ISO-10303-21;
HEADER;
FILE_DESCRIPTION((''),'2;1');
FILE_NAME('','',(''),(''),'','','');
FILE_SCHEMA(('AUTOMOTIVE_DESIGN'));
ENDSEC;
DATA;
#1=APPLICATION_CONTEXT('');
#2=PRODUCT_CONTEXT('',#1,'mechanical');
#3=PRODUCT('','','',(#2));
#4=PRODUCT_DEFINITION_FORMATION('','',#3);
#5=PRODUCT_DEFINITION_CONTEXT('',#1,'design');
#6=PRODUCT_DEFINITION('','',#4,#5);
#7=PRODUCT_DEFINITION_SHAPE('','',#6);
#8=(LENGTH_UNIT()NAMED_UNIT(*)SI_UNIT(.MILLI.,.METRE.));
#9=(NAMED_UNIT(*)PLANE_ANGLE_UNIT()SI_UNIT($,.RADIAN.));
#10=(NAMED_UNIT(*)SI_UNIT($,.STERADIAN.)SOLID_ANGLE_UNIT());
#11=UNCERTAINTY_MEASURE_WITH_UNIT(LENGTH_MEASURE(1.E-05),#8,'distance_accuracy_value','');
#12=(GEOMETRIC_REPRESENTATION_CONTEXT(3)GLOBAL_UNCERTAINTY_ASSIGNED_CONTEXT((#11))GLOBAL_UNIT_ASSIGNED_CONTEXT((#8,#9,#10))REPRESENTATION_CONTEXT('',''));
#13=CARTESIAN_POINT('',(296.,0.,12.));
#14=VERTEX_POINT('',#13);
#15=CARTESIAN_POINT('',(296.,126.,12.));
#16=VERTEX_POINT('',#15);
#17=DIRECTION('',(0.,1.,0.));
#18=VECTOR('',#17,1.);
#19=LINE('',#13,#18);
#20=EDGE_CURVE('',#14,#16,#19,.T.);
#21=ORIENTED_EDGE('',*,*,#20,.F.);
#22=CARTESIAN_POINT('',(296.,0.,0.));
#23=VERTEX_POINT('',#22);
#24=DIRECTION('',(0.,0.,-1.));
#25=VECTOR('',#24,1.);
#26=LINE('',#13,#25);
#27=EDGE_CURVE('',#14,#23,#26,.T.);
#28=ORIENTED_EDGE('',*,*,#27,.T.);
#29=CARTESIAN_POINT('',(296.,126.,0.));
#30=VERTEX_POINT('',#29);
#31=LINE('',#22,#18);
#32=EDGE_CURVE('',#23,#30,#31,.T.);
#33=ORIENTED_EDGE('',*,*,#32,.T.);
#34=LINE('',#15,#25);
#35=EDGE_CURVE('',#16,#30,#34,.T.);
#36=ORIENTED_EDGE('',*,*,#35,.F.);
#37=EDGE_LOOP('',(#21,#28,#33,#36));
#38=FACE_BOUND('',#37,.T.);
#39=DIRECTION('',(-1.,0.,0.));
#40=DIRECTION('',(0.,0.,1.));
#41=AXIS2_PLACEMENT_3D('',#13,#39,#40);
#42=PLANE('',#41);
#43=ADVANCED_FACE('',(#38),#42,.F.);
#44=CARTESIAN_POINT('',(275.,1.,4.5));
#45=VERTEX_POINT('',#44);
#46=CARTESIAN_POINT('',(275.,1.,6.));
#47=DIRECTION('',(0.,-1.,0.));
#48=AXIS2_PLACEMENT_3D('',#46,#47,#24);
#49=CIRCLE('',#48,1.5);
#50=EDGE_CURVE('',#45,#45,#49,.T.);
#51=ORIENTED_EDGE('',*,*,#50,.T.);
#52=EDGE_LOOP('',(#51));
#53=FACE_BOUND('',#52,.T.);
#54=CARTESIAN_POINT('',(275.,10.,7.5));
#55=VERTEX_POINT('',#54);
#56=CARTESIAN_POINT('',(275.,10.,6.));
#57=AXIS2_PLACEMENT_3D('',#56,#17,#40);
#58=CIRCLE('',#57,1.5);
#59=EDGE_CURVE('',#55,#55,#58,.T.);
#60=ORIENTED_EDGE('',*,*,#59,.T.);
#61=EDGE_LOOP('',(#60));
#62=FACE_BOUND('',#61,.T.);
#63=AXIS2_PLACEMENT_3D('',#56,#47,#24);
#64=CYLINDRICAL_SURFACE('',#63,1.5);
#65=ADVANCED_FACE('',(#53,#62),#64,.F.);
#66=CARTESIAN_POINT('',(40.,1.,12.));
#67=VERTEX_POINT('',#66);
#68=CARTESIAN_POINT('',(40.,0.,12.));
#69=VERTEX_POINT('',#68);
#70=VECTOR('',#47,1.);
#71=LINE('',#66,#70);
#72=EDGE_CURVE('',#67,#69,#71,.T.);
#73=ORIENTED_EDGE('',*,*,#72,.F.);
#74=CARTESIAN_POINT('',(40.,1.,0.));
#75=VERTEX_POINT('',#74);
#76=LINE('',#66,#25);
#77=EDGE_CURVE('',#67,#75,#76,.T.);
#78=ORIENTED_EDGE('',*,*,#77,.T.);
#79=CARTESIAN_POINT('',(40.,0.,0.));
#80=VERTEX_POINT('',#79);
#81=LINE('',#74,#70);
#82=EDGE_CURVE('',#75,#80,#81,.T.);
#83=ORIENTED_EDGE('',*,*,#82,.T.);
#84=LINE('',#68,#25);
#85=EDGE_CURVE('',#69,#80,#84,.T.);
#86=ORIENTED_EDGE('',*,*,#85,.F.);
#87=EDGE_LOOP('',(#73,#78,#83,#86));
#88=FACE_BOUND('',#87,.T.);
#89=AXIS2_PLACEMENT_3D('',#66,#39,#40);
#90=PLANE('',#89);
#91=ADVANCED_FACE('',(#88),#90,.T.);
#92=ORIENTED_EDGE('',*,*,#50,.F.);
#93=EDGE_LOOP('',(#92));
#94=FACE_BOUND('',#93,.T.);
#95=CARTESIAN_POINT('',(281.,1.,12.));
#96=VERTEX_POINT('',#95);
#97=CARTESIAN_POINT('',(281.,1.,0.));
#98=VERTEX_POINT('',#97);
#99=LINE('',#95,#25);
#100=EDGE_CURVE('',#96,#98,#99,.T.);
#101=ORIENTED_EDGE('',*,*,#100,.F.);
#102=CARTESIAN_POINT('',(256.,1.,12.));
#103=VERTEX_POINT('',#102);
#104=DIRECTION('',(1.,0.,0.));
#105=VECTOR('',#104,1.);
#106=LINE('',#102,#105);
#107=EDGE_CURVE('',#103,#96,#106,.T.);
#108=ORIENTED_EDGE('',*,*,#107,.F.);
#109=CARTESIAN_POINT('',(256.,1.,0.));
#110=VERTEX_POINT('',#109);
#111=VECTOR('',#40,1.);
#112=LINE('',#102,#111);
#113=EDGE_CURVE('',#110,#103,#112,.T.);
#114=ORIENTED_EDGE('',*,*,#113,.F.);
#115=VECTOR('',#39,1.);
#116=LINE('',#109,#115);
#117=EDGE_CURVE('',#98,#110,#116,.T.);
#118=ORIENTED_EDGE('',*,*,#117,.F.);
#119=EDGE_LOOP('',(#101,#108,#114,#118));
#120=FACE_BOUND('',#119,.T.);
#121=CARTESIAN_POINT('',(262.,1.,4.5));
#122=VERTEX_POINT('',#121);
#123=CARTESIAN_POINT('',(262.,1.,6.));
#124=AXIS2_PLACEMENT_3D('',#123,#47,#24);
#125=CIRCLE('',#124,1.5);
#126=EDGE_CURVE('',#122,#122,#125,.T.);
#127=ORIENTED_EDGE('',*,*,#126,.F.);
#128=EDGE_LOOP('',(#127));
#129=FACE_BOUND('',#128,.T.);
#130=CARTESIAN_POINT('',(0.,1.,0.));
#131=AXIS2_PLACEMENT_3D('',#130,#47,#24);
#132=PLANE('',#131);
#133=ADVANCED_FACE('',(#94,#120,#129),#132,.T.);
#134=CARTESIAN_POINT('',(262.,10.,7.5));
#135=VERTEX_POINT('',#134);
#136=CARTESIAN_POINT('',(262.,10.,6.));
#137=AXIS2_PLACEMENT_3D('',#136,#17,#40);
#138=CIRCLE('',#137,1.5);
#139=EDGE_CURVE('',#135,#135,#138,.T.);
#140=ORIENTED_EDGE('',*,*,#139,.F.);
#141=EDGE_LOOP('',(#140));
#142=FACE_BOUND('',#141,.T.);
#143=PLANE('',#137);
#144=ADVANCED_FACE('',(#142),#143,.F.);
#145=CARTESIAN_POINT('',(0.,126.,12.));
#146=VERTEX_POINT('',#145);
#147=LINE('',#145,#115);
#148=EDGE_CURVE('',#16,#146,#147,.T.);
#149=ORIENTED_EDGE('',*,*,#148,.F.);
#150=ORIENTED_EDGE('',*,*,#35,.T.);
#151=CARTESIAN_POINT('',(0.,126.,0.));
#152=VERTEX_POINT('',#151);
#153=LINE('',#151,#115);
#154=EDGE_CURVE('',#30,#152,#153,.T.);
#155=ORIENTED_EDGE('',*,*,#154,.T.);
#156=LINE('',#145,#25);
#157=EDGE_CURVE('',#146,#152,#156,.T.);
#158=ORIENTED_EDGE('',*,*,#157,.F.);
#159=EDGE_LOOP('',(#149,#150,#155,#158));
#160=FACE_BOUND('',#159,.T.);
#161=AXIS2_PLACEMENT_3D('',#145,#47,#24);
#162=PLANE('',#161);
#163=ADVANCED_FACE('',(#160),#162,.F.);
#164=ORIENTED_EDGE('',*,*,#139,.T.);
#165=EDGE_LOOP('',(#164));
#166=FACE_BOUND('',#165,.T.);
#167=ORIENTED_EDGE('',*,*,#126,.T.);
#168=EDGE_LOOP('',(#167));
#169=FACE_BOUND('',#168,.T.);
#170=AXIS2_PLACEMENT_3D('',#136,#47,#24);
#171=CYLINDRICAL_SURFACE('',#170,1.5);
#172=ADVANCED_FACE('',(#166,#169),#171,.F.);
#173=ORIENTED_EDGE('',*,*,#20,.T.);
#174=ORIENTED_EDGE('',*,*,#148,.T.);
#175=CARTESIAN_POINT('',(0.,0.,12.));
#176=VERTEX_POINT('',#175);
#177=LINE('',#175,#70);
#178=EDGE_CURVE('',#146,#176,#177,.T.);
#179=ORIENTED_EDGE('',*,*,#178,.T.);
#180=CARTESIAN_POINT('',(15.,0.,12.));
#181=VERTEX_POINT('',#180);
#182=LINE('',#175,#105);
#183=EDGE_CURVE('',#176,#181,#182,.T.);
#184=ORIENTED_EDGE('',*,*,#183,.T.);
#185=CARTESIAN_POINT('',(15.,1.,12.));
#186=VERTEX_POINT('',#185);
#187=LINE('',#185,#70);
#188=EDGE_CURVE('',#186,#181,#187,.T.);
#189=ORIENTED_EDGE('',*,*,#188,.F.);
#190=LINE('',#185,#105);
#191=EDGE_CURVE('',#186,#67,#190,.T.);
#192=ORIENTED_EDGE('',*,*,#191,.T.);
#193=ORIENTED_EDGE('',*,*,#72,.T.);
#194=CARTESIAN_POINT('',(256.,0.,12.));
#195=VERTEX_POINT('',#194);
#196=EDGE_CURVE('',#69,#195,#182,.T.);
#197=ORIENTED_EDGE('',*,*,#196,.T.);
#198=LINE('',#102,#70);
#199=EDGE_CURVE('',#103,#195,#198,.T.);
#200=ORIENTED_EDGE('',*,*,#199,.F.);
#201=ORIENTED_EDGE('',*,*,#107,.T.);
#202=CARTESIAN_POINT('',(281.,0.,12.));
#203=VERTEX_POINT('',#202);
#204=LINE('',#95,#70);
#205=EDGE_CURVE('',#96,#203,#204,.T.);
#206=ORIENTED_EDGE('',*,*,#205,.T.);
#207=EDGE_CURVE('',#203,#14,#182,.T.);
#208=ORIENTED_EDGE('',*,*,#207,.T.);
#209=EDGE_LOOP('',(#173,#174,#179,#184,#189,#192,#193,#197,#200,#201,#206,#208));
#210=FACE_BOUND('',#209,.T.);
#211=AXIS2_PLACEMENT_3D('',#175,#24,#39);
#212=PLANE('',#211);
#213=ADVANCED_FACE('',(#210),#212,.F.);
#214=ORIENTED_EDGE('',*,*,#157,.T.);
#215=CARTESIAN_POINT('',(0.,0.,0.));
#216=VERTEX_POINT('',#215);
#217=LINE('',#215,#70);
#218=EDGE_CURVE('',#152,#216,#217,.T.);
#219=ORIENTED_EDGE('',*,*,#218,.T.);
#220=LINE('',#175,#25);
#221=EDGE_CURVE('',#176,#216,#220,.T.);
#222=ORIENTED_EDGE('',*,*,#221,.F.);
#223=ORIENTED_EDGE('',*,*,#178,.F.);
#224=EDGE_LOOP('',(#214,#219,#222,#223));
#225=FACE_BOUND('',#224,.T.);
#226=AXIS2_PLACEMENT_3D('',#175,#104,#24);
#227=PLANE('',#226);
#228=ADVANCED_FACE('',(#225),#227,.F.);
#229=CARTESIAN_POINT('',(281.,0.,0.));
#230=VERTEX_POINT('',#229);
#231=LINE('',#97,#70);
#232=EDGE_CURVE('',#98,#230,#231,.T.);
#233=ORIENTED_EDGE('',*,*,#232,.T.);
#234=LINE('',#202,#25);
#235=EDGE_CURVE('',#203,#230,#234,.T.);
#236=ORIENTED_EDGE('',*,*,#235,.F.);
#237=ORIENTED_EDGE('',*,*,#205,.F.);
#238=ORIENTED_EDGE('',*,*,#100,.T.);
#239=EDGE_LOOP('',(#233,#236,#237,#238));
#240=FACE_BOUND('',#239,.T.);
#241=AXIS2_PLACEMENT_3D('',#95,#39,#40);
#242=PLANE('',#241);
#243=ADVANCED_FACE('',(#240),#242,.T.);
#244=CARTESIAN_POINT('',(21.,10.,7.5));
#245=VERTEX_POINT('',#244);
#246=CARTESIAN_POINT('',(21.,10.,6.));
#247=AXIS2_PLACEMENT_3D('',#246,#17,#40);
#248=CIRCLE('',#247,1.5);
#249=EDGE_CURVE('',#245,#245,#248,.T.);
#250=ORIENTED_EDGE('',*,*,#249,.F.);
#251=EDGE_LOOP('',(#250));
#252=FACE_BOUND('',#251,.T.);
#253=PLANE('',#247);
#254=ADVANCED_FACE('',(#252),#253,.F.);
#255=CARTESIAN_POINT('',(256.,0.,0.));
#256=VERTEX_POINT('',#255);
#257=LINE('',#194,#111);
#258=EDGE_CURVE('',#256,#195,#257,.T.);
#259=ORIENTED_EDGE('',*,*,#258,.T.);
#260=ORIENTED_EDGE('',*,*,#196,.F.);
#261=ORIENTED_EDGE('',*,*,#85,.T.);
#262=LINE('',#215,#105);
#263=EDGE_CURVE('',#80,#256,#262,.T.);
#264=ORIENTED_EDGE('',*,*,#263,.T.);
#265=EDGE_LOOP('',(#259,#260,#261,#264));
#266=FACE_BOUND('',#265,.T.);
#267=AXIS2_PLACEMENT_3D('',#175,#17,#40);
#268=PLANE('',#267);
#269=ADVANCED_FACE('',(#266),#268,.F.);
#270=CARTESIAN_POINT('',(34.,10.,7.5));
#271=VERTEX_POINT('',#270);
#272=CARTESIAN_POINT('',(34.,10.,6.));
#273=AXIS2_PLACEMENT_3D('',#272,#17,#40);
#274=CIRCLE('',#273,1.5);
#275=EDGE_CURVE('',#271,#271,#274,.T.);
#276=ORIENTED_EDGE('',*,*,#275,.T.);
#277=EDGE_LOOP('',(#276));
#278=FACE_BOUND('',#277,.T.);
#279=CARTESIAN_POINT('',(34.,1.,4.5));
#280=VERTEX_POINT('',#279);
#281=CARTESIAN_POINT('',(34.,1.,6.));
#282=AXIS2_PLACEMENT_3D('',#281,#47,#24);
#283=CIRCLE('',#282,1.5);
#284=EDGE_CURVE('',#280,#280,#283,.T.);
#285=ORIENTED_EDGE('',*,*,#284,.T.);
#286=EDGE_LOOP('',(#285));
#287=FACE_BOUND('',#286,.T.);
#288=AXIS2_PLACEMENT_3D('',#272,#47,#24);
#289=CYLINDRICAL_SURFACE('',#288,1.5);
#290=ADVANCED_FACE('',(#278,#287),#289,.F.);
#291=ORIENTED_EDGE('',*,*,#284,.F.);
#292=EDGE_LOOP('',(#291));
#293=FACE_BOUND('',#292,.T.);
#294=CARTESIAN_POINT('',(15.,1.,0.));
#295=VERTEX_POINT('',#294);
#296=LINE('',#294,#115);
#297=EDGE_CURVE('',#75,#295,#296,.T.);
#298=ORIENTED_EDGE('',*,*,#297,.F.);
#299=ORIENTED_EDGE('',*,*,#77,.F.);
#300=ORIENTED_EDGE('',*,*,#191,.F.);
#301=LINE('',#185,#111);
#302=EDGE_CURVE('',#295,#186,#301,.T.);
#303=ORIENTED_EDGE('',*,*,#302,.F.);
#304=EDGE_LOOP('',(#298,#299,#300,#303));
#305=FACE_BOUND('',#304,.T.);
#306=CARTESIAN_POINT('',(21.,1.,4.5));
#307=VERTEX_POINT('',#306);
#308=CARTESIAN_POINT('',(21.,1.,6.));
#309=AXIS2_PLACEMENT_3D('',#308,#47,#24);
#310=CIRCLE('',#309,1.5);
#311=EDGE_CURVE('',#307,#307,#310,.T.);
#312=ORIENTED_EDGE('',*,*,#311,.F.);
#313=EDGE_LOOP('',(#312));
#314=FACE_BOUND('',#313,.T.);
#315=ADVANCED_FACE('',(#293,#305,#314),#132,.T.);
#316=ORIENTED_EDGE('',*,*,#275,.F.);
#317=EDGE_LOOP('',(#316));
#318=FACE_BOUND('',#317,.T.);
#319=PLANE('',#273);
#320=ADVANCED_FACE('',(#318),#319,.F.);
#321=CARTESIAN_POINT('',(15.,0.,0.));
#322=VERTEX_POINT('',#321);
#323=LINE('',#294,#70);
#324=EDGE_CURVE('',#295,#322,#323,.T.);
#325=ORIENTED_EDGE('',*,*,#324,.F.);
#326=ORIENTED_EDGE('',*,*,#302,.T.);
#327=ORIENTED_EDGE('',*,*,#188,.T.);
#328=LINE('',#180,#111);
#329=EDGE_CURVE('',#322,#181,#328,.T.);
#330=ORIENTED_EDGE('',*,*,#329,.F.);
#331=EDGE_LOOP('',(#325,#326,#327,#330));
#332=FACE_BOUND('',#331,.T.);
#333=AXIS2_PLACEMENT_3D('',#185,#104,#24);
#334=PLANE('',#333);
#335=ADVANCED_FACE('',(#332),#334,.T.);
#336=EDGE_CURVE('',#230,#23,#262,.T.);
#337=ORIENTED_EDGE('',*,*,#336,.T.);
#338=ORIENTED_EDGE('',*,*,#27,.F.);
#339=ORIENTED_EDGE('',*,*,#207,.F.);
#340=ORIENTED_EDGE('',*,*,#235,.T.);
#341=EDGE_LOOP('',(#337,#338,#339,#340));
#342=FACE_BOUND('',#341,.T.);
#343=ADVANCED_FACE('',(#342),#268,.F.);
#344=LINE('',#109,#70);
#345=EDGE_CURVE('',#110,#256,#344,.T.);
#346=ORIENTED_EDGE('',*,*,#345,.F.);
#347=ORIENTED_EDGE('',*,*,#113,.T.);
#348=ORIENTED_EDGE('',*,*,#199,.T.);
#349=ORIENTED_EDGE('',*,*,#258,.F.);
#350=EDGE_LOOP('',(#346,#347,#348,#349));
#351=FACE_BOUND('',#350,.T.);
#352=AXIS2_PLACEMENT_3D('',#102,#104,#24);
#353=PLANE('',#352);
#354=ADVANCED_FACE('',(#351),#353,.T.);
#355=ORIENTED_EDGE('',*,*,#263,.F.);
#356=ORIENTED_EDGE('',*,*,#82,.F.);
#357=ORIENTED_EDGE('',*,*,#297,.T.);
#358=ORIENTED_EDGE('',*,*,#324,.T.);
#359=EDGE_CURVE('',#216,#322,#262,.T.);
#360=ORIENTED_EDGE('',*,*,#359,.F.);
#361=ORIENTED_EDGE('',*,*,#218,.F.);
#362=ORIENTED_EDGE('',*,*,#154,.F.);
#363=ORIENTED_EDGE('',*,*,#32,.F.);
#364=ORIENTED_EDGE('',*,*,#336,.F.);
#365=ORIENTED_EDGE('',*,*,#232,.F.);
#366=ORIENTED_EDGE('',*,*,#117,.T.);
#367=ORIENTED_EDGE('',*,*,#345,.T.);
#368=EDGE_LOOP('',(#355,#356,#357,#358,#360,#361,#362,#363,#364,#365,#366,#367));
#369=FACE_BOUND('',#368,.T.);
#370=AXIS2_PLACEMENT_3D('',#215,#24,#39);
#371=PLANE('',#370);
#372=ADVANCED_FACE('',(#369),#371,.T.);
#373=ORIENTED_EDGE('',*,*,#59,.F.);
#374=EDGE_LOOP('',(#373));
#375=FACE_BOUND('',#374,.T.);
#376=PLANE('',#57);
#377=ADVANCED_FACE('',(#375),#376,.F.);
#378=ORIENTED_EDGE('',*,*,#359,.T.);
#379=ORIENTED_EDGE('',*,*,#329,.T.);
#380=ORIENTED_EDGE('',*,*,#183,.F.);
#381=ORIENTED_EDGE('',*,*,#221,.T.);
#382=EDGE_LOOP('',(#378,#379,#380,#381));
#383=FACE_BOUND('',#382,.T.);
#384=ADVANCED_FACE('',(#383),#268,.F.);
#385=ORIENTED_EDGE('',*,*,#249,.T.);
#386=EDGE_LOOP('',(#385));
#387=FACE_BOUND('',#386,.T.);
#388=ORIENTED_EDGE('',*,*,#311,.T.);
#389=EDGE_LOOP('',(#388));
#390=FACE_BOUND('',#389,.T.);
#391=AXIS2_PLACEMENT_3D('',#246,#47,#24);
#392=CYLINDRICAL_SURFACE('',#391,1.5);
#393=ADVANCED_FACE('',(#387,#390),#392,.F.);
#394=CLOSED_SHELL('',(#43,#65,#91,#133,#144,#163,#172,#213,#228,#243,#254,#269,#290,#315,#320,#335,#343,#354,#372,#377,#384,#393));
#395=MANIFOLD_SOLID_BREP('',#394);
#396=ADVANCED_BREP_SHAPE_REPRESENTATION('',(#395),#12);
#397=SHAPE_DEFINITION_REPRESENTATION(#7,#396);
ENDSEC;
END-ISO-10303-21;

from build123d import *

# Parameters (mm, degrees)
SKETCH1_W           = 296
SKETCH1_H           = 126
BOSS_EXTRUDE1_DEPTH = 12
SKETCH2_R           = 1.5
CUT_EXTRUDE1_DEPTH  = 10
SKETCH3_W           = 25
SKETCH3_H           = 12
CUT_EXTRUDE2_DEPTH  = 1


with BuildPart() as part:
    # Sketch1 → Boss-Extrude1 (new body)
    with BuildSketch(Plane.XY):
        with Locations((148, 63)):
            Rectangle(SKETCH1_W, SKETCH1_H)
    extrude(amount=BOSS_EXTRUDE1_DEPTH)

    # Sketch2 → Cut-Extrude1 (cut)
    with BuildSketch(Plane(origin=(0, 0, 0), x_dir=(1, 0, 0), z_dir=(0, 1, 0))):
        with Locations((21, -6)):
            Circle(SKETCH2_R)
        with Locations((34, -6)):
            Circle(SKETCH2_R)
        with Locations((275, -6)):
            Circle(SKETCH2_R)
        with Locations((262, -6)):
            Circle(SKETCH2_R)
    extrude(amount=CUT_EXTRUDE1_DEPTH, mode=Mode.SUBTRACT)

    # Sketch3 → Cut-Extrude2 (cut)
    with BuildSketch(Plane(origin=(0, 0, 0), x_dir=(1, 0, 0), z_dir=(0, 1, 0))):
        with Locations((27.5, -6)):
            Rectangle(SKETCH3_W, SKETCH3_H)
        with Locations((268.5, -6)):
            Rectangle(SKETCH3_W, SKETCH3_H)
    extrude(amount=CUT_EXTRUDE2_DEPTH, mode=Mode.SUBTRACT)


solid = part.part
